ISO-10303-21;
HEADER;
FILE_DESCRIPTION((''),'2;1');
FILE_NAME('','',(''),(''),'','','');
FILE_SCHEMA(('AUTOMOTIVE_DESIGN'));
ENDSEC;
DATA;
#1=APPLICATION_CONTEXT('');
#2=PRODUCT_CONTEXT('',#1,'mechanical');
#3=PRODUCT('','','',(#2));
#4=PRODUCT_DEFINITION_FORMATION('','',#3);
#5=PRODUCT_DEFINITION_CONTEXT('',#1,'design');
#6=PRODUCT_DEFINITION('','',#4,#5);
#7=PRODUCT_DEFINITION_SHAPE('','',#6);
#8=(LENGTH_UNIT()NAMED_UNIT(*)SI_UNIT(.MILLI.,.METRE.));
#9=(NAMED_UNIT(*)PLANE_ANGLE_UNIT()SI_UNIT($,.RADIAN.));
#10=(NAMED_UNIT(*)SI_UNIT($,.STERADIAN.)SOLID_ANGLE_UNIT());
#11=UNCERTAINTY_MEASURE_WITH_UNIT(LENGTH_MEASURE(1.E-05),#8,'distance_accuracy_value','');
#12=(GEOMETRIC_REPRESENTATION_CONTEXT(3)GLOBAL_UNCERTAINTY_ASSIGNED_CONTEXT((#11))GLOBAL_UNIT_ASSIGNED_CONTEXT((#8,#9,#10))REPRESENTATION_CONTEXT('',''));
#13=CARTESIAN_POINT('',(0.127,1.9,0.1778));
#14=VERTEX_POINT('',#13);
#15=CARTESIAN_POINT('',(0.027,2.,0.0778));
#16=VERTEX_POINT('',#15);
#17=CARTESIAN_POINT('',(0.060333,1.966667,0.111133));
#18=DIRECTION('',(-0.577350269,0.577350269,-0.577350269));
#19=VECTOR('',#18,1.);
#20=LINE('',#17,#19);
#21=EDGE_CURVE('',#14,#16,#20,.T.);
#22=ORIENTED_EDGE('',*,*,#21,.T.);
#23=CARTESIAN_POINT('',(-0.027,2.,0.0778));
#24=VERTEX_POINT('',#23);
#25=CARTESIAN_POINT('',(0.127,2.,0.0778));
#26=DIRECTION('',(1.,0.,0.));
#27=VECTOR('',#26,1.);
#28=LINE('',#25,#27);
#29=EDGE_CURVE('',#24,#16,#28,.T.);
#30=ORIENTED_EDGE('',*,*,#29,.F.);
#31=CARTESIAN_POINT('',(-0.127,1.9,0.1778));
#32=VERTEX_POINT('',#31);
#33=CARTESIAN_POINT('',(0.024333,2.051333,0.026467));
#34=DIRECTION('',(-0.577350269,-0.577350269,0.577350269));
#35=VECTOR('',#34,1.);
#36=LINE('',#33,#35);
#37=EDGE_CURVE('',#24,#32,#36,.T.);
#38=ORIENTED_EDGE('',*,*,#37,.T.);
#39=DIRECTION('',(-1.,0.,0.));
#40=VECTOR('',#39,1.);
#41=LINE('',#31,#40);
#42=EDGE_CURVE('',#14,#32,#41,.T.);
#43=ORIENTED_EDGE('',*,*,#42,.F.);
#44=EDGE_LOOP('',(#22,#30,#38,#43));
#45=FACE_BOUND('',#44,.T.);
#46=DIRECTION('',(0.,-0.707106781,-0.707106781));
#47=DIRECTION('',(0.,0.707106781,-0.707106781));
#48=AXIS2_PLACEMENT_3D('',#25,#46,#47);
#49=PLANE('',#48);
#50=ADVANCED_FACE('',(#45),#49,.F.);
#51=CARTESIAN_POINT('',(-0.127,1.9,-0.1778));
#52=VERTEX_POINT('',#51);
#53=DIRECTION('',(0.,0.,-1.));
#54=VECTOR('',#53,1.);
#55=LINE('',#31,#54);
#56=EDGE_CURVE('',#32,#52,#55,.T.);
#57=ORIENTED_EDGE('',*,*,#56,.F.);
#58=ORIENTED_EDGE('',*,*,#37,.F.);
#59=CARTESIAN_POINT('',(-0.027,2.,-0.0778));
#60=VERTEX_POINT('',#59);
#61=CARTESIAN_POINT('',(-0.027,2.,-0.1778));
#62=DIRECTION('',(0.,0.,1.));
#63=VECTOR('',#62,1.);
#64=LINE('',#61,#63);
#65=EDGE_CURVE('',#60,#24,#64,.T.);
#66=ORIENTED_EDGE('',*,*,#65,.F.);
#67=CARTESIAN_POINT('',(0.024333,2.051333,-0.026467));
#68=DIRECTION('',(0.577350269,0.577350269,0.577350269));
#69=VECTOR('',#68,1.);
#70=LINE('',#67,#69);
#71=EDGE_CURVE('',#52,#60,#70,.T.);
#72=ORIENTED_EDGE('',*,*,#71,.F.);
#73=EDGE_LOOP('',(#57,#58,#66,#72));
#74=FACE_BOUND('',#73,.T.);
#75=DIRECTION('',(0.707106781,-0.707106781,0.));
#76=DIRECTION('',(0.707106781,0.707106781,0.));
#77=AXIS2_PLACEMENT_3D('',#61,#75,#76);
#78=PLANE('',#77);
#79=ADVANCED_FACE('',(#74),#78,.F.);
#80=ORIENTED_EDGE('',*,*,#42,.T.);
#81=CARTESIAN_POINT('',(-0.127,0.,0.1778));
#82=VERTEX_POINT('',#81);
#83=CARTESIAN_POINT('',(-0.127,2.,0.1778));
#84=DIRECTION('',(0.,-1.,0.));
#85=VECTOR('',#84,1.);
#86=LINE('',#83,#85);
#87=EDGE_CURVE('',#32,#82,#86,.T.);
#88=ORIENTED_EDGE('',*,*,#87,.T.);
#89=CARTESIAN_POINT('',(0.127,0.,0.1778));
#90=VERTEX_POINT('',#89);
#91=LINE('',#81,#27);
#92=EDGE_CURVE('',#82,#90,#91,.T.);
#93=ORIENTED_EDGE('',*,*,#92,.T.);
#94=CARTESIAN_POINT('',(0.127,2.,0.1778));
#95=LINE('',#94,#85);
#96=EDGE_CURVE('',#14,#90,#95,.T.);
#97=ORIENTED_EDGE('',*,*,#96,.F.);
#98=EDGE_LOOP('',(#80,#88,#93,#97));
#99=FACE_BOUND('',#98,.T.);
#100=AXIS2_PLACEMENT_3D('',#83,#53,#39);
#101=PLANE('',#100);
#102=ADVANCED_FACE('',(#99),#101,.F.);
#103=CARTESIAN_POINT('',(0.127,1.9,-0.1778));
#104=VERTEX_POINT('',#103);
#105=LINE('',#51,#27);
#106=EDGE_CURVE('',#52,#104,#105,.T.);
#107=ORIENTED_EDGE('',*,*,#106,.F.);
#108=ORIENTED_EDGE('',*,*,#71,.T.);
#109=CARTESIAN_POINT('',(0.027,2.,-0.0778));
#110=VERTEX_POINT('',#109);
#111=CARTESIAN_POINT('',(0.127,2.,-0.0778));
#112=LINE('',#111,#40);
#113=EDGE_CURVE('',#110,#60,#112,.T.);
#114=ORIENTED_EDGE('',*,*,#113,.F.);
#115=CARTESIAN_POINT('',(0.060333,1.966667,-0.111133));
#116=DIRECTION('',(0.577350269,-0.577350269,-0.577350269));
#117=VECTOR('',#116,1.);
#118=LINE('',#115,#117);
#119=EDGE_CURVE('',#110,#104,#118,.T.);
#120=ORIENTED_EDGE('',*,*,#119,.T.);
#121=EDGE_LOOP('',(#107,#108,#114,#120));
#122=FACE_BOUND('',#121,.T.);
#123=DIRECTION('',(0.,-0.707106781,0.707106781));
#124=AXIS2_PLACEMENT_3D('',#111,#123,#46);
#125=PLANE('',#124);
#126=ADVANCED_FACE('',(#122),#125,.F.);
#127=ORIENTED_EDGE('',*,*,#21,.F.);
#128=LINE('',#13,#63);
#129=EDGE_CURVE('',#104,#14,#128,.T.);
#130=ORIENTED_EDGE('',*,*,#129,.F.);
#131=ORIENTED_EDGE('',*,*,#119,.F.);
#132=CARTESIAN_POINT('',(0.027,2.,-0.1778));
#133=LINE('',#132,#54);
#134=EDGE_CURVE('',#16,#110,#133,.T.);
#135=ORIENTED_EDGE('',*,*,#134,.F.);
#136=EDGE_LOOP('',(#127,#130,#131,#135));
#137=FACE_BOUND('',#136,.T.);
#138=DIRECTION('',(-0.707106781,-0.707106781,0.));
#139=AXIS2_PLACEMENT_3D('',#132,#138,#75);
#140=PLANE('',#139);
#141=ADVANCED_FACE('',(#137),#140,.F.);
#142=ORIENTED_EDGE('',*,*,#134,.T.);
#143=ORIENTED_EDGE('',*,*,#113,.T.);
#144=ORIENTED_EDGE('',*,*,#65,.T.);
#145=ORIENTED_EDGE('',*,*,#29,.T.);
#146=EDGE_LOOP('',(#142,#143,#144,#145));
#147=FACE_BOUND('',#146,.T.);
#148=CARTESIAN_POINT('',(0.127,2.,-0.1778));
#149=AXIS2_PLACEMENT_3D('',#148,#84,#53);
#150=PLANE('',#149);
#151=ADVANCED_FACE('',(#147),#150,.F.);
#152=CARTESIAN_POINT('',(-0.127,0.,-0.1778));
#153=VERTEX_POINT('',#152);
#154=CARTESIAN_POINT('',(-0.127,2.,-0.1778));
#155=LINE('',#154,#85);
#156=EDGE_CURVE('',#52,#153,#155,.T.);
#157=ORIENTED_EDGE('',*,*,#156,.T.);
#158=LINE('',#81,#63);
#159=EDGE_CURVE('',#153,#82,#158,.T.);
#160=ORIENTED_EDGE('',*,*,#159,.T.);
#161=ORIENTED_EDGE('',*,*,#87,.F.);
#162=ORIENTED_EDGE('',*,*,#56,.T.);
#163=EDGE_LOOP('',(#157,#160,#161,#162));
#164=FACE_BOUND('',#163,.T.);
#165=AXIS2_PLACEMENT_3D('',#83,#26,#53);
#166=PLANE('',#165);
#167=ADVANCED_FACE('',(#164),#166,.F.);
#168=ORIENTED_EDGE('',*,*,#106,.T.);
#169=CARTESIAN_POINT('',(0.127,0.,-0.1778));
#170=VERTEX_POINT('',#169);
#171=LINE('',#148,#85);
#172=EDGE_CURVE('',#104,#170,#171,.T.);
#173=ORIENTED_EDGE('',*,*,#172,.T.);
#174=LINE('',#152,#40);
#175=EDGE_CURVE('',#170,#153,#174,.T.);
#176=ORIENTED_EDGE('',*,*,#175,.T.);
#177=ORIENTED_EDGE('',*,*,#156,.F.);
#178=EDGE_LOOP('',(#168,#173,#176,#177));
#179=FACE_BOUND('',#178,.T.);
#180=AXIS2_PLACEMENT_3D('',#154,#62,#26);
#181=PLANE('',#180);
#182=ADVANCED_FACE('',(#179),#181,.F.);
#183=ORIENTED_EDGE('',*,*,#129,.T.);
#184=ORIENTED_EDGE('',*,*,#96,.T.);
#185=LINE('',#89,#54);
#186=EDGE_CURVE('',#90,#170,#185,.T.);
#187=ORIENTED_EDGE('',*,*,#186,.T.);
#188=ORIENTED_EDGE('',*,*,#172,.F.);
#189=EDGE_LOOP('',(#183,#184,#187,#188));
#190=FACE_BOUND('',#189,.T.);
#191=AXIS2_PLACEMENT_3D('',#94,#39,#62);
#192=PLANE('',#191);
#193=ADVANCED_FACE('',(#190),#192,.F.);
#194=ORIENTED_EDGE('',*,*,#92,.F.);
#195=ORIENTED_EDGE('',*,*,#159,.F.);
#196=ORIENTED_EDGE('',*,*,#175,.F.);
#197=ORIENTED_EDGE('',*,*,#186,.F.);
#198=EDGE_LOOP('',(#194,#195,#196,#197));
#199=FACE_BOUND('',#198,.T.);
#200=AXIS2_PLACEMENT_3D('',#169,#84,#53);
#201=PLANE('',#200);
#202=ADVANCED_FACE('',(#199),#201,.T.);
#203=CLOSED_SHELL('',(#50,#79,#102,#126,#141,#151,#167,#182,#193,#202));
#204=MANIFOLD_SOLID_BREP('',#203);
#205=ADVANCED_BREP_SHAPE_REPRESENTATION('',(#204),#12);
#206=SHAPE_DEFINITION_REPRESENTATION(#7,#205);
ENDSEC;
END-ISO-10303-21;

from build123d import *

# Parameters (mm, degrees)
SKETCH1_W           = 0.254
SKETCH1_H           = 0.3556
BOSS_EXTRUDE1_DEPTH = 2
CHAMFER1_SIZE       = 0.1
CHAMFER2_SIZE       = 0.1


with BuildPart() as part:
    # Sketch1 → Boss-Extrude1 (new body)
    with BuildSketch(Plane(origin=(0, 0, 0), x_dir=(1, 0, 0), z_dir=(0, 1, 0))):
        Rectangle(SKETCH1_W, SKETCH1_H)
    extrude(amount=BOSS_EXTRUDE1_DEPTH)

    # Chamfer1
    chamfer1_edges = [part.edges().sort_by_distance(p)[0] for p in [
        (0, 2, 0.1778),
        (0, 2, -0.1778),
    ]]
    chamfer(chamfer1_edges, length=CHAMFER1_SIZE)

    # Chamfer2
    chamfer2_edges = [part.edges().sort_by_distance(p)[0] for p in [
        (-0.127, 2, 0),
        (0.127, 2, 0),
    ]]
    chamfer(chamfer2_edges, length=CHAMFER2_SIZE)


solid = part.part
